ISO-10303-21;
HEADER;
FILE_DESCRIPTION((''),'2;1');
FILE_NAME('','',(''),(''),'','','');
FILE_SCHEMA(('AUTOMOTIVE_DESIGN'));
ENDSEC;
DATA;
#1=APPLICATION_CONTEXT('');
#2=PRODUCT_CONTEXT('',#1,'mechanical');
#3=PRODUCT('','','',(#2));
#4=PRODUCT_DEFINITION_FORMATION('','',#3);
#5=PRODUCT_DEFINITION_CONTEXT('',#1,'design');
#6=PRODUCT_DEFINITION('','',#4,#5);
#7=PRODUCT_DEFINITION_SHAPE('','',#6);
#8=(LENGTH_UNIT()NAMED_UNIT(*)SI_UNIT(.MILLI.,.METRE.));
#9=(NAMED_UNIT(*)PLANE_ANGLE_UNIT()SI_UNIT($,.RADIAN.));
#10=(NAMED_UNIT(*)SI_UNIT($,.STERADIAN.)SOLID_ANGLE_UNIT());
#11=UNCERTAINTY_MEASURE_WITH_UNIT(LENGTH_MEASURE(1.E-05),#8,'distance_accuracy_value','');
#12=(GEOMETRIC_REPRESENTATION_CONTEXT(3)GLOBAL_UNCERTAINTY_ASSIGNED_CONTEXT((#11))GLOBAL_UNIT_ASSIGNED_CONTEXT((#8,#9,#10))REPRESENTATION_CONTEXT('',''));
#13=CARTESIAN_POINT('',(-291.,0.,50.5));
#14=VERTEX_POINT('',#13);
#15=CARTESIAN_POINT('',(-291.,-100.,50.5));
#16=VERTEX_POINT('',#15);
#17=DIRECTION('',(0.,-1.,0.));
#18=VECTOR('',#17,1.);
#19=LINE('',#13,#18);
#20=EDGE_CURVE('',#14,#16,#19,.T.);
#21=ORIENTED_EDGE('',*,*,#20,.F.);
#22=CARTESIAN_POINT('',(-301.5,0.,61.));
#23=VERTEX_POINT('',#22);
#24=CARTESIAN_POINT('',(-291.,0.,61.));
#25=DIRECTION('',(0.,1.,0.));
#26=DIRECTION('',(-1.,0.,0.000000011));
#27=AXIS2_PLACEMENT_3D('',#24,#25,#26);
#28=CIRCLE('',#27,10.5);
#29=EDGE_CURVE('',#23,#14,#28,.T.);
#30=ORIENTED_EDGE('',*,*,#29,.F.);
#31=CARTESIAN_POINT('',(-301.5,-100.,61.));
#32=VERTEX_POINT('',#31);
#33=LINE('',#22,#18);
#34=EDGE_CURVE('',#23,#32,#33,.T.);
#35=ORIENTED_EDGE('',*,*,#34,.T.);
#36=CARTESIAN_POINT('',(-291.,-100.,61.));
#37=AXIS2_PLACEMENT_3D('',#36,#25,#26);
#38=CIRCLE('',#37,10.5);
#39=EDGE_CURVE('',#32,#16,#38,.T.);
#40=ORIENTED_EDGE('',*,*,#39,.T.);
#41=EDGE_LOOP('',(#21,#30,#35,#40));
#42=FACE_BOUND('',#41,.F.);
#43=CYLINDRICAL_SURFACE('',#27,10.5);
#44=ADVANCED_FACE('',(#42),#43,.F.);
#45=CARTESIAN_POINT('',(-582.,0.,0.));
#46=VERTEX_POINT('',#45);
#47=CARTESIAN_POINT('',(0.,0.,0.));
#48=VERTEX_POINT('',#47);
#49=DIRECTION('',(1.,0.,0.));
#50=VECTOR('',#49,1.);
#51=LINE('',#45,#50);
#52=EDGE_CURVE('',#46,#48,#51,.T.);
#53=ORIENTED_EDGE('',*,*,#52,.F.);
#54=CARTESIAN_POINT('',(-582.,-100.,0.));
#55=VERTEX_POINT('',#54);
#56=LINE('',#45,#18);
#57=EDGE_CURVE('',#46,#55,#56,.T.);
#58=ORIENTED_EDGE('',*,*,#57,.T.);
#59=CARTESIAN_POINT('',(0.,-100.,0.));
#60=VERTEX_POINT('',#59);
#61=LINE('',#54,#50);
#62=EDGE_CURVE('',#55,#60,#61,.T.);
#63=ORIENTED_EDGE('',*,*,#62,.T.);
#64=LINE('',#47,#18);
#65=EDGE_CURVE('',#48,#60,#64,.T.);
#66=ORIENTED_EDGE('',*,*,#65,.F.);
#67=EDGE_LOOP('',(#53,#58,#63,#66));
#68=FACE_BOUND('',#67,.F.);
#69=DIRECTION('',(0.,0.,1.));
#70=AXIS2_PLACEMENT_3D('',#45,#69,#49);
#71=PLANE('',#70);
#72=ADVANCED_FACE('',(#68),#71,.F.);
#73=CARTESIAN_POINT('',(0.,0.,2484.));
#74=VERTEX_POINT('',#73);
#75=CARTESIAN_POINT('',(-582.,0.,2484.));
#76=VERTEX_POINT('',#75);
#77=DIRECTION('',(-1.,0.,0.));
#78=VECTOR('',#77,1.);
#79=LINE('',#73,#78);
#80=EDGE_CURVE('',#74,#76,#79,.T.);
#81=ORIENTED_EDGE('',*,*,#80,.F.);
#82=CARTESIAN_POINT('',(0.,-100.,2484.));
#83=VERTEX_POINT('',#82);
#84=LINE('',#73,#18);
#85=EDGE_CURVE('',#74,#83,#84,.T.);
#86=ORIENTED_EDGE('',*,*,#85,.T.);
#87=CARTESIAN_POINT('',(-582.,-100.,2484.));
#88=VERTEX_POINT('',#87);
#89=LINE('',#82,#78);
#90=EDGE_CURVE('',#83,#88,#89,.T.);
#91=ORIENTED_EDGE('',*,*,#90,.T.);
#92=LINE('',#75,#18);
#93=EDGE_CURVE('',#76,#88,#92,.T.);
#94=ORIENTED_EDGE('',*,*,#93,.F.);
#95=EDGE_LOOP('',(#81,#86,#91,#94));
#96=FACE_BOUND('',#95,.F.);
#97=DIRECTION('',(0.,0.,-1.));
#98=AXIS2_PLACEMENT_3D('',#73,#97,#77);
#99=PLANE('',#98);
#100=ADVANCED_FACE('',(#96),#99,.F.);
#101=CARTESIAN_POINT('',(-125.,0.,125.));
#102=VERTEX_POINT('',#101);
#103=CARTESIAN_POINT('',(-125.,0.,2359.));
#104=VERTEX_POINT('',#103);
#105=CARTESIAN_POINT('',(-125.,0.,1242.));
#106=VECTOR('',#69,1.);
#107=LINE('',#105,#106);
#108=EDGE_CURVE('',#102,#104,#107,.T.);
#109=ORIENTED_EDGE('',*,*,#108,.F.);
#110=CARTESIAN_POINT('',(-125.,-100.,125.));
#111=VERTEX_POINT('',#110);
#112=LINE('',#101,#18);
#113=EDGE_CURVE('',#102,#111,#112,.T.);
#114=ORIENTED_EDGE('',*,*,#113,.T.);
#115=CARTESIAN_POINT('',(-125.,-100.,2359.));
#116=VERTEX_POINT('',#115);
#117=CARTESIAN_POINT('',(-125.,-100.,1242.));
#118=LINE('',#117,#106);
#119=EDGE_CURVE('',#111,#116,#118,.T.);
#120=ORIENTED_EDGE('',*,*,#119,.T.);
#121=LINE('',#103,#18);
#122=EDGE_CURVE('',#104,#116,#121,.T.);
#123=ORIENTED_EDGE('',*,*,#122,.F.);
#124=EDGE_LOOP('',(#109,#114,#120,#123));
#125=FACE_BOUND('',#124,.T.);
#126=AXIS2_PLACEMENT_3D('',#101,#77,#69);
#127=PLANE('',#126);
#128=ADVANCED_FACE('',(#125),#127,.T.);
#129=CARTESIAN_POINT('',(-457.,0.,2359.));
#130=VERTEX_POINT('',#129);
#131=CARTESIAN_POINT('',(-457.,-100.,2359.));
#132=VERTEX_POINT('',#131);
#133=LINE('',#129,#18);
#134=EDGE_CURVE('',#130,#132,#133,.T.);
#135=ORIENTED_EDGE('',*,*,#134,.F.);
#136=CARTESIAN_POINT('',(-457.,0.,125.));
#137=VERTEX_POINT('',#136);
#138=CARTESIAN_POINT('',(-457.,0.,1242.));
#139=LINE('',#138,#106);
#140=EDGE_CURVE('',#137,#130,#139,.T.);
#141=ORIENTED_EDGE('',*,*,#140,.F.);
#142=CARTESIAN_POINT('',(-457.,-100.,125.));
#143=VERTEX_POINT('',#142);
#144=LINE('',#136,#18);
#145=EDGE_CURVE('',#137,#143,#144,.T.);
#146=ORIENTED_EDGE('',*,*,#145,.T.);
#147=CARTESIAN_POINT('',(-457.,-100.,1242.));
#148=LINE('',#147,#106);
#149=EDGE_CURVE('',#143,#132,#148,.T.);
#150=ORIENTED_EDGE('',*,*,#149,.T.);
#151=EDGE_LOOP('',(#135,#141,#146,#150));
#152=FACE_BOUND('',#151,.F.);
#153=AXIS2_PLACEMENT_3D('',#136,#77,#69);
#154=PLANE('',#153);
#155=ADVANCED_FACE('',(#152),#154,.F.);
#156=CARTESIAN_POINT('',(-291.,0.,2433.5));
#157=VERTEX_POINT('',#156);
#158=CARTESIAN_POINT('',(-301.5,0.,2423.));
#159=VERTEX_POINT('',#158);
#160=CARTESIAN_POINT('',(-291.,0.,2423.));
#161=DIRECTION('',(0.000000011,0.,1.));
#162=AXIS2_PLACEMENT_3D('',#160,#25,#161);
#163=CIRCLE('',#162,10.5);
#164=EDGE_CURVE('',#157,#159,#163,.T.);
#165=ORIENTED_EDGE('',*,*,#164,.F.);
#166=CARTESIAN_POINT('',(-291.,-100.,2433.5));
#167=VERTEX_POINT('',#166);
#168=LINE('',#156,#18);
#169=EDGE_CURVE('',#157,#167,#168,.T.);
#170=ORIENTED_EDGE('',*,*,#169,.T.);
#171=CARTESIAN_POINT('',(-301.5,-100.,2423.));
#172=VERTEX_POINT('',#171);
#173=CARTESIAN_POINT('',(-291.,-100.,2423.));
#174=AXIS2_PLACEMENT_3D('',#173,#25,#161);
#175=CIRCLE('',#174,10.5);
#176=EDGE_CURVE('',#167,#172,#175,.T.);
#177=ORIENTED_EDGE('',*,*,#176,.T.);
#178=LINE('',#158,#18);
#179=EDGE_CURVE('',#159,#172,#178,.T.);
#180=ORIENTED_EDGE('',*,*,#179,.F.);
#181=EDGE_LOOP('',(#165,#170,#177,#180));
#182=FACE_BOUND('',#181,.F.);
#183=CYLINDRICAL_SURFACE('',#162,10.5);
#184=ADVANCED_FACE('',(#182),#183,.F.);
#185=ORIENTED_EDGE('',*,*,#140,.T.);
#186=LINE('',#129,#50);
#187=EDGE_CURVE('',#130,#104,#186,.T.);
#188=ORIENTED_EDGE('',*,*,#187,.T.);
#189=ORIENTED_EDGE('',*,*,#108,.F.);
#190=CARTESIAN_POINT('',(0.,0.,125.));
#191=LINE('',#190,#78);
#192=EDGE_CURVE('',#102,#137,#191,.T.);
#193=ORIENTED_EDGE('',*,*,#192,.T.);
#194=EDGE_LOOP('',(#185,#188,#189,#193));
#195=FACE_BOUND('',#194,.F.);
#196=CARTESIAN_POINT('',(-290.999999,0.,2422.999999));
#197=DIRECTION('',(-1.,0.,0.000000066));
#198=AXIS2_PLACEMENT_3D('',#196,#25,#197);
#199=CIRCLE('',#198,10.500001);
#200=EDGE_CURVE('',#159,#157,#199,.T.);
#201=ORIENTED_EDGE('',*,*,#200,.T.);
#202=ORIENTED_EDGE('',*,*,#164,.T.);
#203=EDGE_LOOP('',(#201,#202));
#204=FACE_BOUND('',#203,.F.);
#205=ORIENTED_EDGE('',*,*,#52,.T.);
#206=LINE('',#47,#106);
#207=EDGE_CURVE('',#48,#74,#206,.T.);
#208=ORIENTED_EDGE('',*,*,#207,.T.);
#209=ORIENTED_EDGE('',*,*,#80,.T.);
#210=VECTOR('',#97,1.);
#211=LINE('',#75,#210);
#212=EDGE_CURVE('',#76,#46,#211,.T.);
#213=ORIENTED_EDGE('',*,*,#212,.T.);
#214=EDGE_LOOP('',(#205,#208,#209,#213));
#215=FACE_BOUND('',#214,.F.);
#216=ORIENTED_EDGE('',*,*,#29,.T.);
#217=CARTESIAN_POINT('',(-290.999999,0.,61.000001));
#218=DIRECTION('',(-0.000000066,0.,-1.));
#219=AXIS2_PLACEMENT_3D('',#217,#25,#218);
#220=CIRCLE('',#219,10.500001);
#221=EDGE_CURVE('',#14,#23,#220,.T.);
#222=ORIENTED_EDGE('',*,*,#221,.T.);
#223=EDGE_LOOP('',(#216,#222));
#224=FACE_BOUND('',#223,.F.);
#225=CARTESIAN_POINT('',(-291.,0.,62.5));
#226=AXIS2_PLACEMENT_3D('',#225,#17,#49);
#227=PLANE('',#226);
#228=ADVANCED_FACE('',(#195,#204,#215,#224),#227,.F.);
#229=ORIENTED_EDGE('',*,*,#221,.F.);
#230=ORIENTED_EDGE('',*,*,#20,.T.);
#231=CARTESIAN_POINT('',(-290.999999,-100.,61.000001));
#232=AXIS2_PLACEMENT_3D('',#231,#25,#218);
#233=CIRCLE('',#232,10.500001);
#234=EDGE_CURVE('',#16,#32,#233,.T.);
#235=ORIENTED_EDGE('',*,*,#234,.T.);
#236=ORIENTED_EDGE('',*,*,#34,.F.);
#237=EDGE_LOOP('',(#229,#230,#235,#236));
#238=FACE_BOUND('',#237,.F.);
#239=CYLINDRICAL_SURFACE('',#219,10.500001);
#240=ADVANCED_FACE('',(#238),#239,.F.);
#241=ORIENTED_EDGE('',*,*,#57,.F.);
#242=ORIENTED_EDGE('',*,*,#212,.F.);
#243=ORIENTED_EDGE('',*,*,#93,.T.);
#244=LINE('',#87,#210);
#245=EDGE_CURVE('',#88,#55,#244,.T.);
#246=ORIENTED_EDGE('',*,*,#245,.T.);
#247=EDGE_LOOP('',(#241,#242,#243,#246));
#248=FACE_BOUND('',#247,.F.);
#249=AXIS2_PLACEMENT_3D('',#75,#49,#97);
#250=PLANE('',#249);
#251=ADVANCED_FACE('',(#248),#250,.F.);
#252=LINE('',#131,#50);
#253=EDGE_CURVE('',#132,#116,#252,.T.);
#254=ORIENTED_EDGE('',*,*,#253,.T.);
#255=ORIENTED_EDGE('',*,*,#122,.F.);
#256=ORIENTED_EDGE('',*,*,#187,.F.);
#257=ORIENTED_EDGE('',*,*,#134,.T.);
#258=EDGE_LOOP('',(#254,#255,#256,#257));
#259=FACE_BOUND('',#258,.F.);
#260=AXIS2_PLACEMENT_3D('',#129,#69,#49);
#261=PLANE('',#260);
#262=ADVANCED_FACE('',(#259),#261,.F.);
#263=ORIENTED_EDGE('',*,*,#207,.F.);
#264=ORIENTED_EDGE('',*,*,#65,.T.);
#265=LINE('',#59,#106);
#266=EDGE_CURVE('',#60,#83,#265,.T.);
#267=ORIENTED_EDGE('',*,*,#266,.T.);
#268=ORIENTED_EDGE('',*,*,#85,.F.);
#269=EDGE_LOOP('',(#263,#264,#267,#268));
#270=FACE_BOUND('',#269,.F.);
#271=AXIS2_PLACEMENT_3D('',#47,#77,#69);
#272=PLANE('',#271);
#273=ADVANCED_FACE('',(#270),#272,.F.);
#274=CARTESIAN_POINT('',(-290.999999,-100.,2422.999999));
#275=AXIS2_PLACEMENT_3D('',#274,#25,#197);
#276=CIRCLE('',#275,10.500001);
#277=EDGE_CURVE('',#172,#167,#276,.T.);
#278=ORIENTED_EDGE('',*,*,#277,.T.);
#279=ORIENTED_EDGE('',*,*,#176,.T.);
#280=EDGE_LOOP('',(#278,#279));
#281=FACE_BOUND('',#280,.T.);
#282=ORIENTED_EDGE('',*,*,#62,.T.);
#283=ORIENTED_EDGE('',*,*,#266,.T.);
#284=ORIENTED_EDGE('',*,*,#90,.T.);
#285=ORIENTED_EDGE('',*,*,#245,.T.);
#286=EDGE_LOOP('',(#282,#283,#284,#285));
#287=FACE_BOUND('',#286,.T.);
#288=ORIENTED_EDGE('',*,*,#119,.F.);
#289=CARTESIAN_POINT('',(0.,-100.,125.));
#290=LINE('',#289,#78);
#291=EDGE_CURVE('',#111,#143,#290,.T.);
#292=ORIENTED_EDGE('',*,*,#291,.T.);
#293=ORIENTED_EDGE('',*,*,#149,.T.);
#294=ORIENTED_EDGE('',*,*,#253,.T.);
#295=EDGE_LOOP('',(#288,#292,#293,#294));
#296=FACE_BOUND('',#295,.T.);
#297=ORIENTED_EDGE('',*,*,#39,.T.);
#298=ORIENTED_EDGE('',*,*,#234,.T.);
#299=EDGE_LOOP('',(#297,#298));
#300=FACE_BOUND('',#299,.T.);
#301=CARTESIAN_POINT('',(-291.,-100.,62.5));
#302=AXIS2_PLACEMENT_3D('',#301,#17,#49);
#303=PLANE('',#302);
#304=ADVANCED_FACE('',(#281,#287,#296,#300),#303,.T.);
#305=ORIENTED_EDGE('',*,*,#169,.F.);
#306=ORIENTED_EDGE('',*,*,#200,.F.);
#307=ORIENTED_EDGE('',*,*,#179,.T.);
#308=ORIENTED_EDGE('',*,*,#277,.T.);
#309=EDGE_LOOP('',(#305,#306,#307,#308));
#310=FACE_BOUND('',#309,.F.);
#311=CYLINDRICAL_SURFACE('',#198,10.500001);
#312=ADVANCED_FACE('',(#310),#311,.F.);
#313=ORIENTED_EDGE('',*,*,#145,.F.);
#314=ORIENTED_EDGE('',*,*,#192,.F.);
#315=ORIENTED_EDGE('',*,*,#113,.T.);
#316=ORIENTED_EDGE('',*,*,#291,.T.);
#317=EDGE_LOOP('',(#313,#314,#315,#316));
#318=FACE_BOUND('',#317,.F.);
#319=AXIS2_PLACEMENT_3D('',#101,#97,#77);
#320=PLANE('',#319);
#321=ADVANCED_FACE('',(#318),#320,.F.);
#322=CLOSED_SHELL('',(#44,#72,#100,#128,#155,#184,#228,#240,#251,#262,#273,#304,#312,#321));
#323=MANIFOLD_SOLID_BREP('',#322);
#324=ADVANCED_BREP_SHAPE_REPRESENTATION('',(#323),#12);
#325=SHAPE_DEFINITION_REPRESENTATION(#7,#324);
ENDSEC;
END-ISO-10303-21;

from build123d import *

# Parameters (mm, degrees)
F0_W     = 125
F0_H     = 2234
F1_DEPTH = 100
F3_DEPTH = 100.001


with BuildPart() as f1:
    # F0 (on Front) → F1 (new body)
    with BuildSketch(Plane.XZ):
        Polygon((-582, 0), (0, 0), (0, 125), (-125, 125), (-457, 125), (-582, 125), align=None)
        with Locations((-62.5, 1242)):
            Rectangle(F0_W, F0_H)
        with Locations((-519.5, 1242)):
            Rectangle(F0_W, F0_H)
        Polygon((-125, 2359), (0, 2359), (0, 2484), (-582, 2484), (-582, 2359), (-457, 2359), align=None)
    extrude(amount=F1_DEPTH)

    # F2 (on face) → F3 (cut, through all)
    with BuildSketch(Plane(origin=(0, 0, 0), x_dir=(-1, 0, 0), z_dir=(0, 1, 0))):
        with BuildLine():
            ThreePointArc((291, 2433.5), (283.575379, 2415.575379), (301.5, 2423))
            ThreePointArc((301.5, 2423), (298.424621, 2430.424621), (291, 2433.5))
        make_face()
        with BuildLine():
            ThreePointArc((291, 50.5), (298.424621, 53.575379), (301.5, 61))
            ThreePointArc((301.5, 61), (283.575379, 68.424621), (291, 50.5))
        make_face()
    extrude(amount=-F3_DEPTH, mode=Mode.SUBTRACT)


solid = f1.part
